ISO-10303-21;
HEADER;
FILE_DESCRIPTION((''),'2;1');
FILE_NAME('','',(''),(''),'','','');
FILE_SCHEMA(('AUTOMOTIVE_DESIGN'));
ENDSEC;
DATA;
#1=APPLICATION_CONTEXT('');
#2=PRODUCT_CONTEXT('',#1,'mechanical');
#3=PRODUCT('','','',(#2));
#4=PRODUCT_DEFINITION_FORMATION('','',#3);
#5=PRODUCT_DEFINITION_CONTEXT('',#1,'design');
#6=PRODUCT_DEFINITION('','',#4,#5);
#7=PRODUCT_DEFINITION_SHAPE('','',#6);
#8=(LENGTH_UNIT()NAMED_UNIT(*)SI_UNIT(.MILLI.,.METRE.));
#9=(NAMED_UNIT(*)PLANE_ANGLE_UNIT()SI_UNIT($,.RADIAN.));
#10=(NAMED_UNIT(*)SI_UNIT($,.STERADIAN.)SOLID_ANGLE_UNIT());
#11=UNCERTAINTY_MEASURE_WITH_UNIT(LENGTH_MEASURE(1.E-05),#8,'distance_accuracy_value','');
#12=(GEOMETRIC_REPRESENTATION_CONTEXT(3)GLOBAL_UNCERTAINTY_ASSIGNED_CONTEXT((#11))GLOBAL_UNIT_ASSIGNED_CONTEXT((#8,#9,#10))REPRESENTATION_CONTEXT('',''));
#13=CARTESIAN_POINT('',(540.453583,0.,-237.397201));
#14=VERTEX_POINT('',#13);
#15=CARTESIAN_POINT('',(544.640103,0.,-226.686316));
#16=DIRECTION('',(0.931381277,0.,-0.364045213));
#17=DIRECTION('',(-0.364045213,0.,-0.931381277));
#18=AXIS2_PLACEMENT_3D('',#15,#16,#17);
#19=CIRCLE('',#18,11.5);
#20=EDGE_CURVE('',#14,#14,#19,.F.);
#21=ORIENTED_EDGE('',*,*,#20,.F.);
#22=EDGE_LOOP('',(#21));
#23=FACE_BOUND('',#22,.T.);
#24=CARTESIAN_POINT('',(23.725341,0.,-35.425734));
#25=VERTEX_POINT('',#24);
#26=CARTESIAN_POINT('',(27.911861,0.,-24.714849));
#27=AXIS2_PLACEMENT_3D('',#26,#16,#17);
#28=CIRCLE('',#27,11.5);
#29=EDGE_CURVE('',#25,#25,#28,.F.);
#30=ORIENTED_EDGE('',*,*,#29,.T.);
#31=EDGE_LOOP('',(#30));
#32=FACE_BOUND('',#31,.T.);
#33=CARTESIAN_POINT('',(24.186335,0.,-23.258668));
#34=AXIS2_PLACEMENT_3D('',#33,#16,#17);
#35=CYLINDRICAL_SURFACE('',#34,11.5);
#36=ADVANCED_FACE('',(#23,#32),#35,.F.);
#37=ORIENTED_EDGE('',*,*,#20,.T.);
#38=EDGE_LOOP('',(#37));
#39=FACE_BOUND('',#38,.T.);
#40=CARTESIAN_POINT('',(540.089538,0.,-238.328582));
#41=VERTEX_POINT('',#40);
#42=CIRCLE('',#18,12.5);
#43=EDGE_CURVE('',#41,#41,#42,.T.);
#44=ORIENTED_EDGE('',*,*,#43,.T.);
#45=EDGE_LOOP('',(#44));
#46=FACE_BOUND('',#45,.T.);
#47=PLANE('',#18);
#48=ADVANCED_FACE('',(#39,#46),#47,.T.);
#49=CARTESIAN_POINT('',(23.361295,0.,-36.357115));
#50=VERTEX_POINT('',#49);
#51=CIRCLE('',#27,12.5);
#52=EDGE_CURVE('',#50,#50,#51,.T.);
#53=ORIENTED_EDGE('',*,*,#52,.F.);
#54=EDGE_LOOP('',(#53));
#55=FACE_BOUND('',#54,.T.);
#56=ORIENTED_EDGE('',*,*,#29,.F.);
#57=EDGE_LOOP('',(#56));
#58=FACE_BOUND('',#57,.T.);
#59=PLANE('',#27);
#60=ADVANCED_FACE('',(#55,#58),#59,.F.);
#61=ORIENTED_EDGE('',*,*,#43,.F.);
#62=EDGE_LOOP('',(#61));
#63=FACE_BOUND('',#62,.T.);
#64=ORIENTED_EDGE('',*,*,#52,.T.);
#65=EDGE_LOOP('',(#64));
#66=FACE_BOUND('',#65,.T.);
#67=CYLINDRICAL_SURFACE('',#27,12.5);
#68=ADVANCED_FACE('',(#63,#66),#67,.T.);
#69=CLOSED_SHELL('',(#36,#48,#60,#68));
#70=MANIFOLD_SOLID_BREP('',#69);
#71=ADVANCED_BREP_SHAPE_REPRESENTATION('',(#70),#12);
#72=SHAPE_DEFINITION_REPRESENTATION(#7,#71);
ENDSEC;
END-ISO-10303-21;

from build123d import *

# Parameters (mm, degrees)
SWEEP2_PROFILE_R     = 12.5
CUT_SWEEP2_PROFILE_R = 11.5


with BuildPart() as part:
    # Sweep2: sweep along a path in Sketch6
    with BuildLine(Plane(origin=(0, 0, 0), x_dir=(1, 0, 0), z_dir=(0, 1, 0))) as sweep2_path:
        Line((27.911860583, 24.714849031), (544.640102873, 226.686315947))
    # Sweep2 profile (on start of the path) → Sweep2 (sweep)
    with BuildSketch(Plane(origin=(27.911860583, 0, -24.714849031), x_dir=(0.3640452125264868, 0, 0.931381277048527), z_dir=(0.931381277048527, 0, -0.3640452125264868))):
        Circle(SWEEP2_PROFILE_R)
    sweep(path=sweep2_path.line)

    # Cut-Sweep2: sweep along a path in Sketch6<2>
    with BuildLine(Plane(origin=(0, 0, 0), x_dir=(1, 0, 0), z_dir=(0, 1, 0))) as cut_sweep2_path:
        Line((27.911860583, 24.714849031), (544.640102873, 226.686315947))
    # Cut-Sweep2 profile (on start of the path) → Cut-Sweep2 (sweep, cut)
    with BuildSketch(Plane(origin=(27.911860583, 0, -24.714849031), x_dir=(0.3640452125264868, 0, 0.931381277048527), z_dir=(0.931381277048527, 0, -0.3640452125264868))):
        Circle(CUT_SWEEP2_PROFILE_R)
    sweep(path=cut_sweep2_path.line, mode=Mode.SUBTRACT)


solid = part.part
